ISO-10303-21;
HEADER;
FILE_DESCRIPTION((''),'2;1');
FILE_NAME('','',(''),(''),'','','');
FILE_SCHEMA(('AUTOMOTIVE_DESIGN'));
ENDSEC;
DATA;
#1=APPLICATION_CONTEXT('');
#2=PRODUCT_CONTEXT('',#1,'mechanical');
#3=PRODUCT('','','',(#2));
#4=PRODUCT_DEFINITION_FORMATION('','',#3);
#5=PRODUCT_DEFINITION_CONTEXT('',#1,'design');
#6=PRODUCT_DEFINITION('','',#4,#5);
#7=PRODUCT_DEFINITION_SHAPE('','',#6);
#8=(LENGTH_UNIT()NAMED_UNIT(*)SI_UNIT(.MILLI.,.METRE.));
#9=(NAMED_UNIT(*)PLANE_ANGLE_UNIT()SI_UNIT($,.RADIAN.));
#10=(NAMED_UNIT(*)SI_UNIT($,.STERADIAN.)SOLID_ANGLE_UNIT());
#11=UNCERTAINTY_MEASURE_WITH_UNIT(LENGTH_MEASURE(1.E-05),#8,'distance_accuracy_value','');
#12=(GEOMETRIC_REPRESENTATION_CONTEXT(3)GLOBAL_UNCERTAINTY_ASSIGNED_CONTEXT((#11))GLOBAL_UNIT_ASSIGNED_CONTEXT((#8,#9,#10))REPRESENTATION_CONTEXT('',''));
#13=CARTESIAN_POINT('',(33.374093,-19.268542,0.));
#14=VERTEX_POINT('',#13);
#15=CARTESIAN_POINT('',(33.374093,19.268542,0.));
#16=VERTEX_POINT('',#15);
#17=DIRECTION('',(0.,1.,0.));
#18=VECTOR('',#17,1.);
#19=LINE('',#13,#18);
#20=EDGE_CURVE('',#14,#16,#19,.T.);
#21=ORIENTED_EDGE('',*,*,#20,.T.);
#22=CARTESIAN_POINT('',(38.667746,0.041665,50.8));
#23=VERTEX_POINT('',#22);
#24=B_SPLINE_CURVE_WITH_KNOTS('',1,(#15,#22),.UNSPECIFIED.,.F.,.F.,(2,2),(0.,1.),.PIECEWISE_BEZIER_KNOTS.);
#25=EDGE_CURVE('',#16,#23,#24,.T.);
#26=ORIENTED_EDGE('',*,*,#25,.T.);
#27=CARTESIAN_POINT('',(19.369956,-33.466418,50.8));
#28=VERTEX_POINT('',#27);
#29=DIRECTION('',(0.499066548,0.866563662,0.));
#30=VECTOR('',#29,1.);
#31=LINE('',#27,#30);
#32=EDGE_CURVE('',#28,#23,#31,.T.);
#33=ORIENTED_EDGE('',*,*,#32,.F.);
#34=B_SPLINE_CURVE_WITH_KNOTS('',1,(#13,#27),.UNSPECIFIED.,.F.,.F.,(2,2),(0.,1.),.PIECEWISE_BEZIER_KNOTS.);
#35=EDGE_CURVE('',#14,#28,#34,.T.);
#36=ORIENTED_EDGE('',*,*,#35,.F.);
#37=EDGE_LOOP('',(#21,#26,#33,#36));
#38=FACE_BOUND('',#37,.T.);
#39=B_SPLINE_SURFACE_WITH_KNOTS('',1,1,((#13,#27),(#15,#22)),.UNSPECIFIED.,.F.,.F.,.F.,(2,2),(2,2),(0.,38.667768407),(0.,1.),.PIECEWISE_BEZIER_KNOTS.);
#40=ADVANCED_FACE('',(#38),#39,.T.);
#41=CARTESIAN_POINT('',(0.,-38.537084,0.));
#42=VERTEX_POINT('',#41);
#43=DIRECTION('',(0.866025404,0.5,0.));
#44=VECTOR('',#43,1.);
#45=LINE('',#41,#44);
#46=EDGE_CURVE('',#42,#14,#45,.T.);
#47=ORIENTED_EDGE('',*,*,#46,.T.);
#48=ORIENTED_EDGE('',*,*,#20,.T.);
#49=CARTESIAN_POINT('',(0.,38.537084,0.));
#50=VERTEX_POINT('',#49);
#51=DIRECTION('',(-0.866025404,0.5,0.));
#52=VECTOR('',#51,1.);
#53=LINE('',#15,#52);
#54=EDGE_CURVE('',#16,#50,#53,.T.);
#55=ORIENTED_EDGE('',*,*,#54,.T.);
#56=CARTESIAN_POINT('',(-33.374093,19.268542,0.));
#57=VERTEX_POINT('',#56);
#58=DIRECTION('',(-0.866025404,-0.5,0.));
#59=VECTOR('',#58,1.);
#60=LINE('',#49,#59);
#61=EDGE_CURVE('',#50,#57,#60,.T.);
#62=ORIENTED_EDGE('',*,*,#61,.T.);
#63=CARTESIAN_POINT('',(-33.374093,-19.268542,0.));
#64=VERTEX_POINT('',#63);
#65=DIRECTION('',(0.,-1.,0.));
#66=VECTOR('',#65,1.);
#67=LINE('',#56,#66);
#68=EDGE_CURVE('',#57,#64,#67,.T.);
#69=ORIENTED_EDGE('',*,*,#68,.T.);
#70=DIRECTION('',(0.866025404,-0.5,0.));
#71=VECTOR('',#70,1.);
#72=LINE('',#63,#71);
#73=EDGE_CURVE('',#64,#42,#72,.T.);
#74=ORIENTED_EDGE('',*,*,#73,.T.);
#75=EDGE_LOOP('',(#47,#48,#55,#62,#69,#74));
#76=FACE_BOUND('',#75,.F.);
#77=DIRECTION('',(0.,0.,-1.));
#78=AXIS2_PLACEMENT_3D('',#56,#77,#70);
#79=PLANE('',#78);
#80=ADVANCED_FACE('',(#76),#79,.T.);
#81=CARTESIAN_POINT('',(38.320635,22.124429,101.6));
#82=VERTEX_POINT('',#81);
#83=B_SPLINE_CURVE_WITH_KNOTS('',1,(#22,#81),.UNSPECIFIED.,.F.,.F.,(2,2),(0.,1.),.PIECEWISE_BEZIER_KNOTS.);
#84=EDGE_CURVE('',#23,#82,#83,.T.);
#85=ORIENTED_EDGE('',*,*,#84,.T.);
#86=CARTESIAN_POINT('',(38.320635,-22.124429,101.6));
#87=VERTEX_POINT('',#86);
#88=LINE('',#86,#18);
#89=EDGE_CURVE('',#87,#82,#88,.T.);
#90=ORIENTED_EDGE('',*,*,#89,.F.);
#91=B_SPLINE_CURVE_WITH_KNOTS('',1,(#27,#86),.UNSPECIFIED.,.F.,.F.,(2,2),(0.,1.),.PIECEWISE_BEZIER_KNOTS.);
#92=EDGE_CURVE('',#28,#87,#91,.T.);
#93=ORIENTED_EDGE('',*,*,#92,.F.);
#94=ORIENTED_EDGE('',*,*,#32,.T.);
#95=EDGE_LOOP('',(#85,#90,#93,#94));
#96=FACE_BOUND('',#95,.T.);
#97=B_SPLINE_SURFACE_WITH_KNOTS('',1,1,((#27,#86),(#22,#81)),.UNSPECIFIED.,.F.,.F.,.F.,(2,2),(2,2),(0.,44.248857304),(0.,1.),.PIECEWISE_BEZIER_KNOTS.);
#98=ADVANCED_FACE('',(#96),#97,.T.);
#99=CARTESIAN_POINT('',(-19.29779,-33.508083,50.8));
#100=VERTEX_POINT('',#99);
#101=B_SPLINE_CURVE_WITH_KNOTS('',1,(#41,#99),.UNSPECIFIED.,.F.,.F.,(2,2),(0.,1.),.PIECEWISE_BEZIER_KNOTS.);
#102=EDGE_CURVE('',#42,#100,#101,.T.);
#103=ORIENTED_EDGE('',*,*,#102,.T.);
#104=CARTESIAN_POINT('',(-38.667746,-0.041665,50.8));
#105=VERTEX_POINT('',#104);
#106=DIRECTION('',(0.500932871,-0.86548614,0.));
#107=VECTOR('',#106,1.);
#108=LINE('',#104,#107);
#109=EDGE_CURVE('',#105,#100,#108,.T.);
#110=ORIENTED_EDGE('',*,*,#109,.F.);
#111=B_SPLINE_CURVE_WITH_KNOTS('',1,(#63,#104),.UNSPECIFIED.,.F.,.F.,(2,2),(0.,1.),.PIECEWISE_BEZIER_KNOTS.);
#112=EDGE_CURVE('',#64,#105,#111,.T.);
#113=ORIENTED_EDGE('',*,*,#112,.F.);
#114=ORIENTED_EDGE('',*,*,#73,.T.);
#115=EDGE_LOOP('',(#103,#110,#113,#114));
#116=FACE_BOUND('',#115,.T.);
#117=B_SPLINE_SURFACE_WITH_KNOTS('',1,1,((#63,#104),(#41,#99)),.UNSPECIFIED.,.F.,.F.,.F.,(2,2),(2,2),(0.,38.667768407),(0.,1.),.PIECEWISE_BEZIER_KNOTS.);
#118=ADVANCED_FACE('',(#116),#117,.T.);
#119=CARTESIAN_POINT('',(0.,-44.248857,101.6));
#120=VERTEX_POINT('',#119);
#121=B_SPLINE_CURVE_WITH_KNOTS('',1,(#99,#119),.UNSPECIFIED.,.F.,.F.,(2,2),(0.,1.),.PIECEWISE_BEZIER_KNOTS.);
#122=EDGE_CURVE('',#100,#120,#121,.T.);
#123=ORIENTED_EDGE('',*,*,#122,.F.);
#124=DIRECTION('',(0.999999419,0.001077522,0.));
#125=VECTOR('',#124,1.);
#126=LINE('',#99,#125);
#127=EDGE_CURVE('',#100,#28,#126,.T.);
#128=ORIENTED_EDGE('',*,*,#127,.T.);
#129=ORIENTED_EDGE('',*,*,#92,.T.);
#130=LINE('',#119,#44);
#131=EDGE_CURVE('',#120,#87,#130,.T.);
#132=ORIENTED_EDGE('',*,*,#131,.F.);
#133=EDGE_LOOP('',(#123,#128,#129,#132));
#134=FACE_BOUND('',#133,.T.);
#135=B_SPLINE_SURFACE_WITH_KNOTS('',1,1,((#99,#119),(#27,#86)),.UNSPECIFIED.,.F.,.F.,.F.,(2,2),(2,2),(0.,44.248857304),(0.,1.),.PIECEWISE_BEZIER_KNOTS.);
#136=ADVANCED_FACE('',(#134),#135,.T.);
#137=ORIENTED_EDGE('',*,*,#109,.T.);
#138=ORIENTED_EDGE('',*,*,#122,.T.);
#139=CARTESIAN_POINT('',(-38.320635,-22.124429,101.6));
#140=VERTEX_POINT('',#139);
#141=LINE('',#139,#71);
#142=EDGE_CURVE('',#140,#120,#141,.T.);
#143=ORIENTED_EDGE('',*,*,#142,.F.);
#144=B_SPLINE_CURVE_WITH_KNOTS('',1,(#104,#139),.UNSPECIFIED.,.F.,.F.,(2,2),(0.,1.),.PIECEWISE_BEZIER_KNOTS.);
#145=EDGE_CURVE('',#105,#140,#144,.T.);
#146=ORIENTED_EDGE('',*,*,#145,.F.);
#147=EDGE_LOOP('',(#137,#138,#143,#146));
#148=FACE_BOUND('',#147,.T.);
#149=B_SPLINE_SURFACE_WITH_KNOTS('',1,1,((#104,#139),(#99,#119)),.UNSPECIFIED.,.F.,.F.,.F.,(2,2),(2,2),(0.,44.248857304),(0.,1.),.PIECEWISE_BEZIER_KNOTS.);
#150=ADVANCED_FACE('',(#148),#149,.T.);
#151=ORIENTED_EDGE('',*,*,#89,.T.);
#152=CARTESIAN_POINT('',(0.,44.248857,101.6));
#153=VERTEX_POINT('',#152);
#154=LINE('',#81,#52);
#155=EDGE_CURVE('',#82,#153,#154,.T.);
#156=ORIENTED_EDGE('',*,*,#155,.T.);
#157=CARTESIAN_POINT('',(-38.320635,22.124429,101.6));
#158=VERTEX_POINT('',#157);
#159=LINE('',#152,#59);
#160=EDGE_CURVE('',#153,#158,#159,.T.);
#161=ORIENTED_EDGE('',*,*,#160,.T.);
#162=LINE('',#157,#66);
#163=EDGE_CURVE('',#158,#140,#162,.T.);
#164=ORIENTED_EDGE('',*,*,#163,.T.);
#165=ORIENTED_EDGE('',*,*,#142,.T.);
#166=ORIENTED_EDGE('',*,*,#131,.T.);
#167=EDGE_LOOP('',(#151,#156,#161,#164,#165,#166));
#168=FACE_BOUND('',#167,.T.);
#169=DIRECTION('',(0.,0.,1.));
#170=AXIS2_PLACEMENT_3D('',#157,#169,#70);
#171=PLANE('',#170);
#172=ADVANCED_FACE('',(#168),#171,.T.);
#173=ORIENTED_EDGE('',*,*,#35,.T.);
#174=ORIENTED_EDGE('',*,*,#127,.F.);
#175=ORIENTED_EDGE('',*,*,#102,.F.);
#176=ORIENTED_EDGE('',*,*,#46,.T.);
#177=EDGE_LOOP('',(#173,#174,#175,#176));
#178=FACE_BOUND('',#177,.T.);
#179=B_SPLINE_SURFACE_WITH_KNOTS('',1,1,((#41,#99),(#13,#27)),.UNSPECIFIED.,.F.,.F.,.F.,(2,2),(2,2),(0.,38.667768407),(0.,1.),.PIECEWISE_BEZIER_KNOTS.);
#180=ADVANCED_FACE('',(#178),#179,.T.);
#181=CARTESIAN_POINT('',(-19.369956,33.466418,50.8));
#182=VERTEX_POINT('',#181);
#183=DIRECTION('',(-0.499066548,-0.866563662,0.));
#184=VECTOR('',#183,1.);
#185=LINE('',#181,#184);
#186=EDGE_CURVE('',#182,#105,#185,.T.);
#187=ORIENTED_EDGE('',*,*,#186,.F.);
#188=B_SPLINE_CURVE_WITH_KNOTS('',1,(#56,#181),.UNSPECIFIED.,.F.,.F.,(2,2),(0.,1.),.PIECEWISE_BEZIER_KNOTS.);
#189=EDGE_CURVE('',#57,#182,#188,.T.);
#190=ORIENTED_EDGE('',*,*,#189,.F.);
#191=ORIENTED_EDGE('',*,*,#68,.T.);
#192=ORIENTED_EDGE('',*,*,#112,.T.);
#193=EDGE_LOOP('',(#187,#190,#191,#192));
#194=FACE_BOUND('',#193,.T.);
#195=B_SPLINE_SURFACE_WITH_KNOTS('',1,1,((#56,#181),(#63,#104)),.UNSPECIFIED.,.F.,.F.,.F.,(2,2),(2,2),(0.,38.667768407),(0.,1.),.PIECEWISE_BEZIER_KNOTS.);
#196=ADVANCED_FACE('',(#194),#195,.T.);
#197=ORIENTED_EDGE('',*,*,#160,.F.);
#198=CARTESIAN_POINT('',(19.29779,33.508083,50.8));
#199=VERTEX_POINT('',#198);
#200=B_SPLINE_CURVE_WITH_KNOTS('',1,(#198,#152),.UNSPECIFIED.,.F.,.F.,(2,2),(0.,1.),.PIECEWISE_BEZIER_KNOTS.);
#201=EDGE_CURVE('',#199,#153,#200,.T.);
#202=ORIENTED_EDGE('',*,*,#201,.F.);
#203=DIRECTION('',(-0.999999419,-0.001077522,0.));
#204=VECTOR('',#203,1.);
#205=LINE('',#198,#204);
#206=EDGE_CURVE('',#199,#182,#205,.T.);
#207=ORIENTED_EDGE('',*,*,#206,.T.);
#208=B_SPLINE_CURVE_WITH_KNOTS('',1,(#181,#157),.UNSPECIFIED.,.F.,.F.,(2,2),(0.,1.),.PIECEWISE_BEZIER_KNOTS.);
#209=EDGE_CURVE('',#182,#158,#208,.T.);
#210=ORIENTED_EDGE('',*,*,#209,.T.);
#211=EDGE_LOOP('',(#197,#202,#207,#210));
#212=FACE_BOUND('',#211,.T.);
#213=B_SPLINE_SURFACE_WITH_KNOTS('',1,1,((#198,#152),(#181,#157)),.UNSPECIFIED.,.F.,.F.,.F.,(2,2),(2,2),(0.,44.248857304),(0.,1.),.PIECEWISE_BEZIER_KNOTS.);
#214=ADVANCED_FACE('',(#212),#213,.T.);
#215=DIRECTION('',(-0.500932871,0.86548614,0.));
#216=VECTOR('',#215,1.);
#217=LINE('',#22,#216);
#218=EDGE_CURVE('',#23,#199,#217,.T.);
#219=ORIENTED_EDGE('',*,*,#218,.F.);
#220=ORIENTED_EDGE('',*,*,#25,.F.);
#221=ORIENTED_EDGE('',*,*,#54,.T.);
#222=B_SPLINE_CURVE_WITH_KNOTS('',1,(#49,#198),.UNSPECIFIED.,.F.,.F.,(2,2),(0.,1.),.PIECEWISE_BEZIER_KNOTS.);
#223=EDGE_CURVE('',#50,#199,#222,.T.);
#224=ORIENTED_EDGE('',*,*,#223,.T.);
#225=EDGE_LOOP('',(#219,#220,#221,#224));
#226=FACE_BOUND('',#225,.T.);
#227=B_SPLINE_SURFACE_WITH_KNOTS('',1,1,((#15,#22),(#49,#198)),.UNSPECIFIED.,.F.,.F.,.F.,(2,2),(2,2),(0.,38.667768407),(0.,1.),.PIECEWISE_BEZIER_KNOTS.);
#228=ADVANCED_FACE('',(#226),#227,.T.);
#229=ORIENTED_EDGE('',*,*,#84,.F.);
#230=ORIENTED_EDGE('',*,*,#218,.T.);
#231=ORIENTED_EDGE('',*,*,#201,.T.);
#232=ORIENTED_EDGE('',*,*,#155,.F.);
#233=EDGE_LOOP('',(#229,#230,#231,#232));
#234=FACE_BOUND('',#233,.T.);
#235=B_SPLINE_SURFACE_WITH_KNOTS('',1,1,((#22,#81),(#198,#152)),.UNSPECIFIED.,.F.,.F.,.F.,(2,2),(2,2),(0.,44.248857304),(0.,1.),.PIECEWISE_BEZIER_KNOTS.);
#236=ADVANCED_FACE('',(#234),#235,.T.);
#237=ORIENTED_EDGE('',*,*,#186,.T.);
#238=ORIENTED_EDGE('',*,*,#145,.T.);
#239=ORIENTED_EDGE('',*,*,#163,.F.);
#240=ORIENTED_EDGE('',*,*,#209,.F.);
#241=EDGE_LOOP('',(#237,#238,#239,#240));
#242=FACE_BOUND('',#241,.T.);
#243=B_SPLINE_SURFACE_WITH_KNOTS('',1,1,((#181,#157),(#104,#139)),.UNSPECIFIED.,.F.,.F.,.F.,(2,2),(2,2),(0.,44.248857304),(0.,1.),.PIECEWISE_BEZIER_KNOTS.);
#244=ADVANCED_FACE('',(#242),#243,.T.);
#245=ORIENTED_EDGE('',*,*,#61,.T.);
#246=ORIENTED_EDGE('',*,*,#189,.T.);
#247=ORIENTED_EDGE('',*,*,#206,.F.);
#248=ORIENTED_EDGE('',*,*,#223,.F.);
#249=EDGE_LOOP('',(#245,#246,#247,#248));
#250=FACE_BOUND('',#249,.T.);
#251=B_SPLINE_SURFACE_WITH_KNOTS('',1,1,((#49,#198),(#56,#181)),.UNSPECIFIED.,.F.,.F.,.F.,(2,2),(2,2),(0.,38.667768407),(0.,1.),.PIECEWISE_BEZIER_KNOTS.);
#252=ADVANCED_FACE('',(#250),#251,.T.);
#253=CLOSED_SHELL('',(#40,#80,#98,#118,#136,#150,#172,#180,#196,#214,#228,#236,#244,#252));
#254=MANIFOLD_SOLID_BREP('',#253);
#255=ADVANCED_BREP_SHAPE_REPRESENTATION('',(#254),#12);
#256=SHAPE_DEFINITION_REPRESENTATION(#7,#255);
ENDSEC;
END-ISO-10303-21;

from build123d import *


with BuildPart() as f3:
    # F0 (on Top) → F3 section 0
    with BuildSketch(Plane.XY):
        Polygon((-33.374093473, 19.2685418506), (-33.374093473, -19.2685418506), (0, -38.5370837011), (33.374093473, -19.2685418506), (33.374093473, 19.2685418506), (0, 38.5370837011), align=None)
    # F2 (on offset) → F3 section 1
    with BuildSketch(Plane.XY.offset(50.8)):
        Polygon((-38.667745959, -0.041665369), (-19.2977897115, -33.5080829921), (19.3699562475, -33.4664176231), (38.667745959, 0.041665369), (19.2977897115, 33.5080829921), (-19.3699562475, 33.4664176231), align=None)
    loft()

    # F3_face (on face) → F6 section 0
    with BuildSketch(Plane.XY.offset(50.8)):
        Polygon((-19.3699562475, 33.4664176231), (-38.667745959, -0.041665369), (-19.2977897115, -33.5080829921), (19.3699562475, -33.4664176231), (38.667745959, 0.041665369), (19.2977897115, 33.5080829921), align=None)
    # F5 (on offset) → F6 section 1
    with BuildSketch(Plane.XY.offset(101.6)):
        Polygon((-38.3206345141, 22.1244286522), (-38.3206345141, -22.1244286522), (0, -44.2488573045), (38.3206345141, -22.1244286522), (38.3206345141, 22.1244286522), (0, 44.2488573045), align=None)
    loft()


solid = f3.part
